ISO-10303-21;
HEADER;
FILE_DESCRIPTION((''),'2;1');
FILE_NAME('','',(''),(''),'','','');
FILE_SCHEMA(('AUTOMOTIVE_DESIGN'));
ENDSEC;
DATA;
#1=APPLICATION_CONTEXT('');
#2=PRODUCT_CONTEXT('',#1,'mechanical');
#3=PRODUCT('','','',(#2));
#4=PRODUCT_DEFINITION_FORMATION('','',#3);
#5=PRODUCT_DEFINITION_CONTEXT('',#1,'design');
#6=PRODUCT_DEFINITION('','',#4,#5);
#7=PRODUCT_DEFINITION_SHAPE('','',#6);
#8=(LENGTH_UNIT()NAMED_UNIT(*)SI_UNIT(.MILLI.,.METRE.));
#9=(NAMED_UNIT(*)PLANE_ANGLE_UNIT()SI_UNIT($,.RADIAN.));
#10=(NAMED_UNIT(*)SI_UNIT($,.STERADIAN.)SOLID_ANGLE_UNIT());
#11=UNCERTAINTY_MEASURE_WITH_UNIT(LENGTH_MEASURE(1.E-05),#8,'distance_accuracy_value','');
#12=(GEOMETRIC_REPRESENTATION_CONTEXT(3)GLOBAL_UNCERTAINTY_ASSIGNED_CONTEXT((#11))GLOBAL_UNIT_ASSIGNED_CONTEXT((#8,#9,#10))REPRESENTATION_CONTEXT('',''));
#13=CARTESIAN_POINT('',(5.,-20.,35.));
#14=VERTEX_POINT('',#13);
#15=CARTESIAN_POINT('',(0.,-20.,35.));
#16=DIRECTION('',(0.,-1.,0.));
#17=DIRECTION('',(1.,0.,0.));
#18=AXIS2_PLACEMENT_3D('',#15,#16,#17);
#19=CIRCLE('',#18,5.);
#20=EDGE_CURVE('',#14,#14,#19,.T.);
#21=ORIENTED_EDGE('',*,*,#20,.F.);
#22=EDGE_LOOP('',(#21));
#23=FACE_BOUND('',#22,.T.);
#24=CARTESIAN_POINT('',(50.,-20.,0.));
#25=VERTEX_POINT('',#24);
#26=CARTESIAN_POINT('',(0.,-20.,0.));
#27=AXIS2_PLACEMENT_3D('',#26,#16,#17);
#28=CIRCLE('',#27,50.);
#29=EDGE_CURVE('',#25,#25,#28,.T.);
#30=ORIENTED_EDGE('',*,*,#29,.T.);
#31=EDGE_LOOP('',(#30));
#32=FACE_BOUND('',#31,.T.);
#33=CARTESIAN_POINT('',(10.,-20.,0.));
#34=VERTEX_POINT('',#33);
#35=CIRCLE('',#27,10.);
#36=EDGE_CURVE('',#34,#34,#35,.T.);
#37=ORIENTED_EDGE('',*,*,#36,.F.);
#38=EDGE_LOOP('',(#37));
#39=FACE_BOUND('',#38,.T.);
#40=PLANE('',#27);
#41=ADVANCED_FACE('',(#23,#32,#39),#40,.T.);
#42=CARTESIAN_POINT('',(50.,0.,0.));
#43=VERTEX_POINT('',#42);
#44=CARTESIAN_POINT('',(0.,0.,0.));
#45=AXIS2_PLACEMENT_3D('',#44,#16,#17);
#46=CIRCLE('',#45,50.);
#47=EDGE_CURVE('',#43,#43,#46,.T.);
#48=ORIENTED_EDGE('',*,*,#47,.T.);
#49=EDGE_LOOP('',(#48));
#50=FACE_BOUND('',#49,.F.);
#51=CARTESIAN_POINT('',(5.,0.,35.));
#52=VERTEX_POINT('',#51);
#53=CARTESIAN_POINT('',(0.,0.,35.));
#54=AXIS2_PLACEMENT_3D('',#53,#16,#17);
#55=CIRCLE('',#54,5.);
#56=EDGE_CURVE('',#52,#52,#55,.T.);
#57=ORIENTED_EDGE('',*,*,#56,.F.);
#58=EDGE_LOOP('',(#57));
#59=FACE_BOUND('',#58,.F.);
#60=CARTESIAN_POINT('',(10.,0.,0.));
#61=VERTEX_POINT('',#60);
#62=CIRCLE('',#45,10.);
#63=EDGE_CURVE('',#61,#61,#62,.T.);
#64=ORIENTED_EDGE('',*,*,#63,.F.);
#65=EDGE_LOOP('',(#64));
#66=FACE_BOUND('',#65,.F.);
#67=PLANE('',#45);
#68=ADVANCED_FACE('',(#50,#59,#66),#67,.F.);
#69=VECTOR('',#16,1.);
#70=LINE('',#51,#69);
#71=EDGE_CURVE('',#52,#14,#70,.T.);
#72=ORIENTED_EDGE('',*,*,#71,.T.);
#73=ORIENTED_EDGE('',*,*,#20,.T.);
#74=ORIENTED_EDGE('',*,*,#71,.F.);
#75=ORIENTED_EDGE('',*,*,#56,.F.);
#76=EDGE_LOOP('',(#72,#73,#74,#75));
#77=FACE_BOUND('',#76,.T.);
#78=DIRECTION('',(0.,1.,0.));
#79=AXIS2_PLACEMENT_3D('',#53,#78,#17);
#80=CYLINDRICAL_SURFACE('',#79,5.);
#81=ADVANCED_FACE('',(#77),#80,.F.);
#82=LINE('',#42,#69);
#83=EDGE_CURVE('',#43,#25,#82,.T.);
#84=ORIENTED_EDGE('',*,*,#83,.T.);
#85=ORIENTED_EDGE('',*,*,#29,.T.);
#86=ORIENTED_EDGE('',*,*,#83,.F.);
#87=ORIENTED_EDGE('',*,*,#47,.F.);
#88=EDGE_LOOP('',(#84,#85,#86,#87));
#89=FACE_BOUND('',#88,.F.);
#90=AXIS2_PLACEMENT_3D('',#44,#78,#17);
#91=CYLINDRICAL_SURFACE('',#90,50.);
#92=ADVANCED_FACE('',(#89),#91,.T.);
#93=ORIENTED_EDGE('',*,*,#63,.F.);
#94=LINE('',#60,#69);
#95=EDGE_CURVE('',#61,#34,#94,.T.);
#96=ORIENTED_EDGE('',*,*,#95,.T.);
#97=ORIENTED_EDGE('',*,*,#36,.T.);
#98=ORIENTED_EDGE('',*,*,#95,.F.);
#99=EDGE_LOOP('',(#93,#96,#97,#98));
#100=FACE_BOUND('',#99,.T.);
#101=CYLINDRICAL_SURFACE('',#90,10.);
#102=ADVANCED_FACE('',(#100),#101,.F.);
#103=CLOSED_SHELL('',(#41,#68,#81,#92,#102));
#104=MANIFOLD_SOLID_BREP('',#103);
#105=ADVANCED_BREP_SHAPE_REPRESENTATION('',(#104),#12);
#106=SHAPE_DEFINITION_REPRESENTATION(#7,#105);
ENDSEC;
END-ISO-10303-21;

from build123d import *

# Parameters (mm, degrees)
F0_R     = 50
F0_R_2   = 10
F0_R_3   = 5
F1_DEPTH = 20


with BuildPart() as f1:
    # F0 (on Front) → F1 (new body)
    with BuildSketch(Plane.XZ):
        Circle(F0_R)
        Circle(F0_R_2, mode=Mode.SUBTRACT)
        with Locations((0, 35)):
            Circle(F0_R_3, mode=Mode.SUBTRACT)
    extrude(amount=F1_DEPTH)


solid = f1.part
